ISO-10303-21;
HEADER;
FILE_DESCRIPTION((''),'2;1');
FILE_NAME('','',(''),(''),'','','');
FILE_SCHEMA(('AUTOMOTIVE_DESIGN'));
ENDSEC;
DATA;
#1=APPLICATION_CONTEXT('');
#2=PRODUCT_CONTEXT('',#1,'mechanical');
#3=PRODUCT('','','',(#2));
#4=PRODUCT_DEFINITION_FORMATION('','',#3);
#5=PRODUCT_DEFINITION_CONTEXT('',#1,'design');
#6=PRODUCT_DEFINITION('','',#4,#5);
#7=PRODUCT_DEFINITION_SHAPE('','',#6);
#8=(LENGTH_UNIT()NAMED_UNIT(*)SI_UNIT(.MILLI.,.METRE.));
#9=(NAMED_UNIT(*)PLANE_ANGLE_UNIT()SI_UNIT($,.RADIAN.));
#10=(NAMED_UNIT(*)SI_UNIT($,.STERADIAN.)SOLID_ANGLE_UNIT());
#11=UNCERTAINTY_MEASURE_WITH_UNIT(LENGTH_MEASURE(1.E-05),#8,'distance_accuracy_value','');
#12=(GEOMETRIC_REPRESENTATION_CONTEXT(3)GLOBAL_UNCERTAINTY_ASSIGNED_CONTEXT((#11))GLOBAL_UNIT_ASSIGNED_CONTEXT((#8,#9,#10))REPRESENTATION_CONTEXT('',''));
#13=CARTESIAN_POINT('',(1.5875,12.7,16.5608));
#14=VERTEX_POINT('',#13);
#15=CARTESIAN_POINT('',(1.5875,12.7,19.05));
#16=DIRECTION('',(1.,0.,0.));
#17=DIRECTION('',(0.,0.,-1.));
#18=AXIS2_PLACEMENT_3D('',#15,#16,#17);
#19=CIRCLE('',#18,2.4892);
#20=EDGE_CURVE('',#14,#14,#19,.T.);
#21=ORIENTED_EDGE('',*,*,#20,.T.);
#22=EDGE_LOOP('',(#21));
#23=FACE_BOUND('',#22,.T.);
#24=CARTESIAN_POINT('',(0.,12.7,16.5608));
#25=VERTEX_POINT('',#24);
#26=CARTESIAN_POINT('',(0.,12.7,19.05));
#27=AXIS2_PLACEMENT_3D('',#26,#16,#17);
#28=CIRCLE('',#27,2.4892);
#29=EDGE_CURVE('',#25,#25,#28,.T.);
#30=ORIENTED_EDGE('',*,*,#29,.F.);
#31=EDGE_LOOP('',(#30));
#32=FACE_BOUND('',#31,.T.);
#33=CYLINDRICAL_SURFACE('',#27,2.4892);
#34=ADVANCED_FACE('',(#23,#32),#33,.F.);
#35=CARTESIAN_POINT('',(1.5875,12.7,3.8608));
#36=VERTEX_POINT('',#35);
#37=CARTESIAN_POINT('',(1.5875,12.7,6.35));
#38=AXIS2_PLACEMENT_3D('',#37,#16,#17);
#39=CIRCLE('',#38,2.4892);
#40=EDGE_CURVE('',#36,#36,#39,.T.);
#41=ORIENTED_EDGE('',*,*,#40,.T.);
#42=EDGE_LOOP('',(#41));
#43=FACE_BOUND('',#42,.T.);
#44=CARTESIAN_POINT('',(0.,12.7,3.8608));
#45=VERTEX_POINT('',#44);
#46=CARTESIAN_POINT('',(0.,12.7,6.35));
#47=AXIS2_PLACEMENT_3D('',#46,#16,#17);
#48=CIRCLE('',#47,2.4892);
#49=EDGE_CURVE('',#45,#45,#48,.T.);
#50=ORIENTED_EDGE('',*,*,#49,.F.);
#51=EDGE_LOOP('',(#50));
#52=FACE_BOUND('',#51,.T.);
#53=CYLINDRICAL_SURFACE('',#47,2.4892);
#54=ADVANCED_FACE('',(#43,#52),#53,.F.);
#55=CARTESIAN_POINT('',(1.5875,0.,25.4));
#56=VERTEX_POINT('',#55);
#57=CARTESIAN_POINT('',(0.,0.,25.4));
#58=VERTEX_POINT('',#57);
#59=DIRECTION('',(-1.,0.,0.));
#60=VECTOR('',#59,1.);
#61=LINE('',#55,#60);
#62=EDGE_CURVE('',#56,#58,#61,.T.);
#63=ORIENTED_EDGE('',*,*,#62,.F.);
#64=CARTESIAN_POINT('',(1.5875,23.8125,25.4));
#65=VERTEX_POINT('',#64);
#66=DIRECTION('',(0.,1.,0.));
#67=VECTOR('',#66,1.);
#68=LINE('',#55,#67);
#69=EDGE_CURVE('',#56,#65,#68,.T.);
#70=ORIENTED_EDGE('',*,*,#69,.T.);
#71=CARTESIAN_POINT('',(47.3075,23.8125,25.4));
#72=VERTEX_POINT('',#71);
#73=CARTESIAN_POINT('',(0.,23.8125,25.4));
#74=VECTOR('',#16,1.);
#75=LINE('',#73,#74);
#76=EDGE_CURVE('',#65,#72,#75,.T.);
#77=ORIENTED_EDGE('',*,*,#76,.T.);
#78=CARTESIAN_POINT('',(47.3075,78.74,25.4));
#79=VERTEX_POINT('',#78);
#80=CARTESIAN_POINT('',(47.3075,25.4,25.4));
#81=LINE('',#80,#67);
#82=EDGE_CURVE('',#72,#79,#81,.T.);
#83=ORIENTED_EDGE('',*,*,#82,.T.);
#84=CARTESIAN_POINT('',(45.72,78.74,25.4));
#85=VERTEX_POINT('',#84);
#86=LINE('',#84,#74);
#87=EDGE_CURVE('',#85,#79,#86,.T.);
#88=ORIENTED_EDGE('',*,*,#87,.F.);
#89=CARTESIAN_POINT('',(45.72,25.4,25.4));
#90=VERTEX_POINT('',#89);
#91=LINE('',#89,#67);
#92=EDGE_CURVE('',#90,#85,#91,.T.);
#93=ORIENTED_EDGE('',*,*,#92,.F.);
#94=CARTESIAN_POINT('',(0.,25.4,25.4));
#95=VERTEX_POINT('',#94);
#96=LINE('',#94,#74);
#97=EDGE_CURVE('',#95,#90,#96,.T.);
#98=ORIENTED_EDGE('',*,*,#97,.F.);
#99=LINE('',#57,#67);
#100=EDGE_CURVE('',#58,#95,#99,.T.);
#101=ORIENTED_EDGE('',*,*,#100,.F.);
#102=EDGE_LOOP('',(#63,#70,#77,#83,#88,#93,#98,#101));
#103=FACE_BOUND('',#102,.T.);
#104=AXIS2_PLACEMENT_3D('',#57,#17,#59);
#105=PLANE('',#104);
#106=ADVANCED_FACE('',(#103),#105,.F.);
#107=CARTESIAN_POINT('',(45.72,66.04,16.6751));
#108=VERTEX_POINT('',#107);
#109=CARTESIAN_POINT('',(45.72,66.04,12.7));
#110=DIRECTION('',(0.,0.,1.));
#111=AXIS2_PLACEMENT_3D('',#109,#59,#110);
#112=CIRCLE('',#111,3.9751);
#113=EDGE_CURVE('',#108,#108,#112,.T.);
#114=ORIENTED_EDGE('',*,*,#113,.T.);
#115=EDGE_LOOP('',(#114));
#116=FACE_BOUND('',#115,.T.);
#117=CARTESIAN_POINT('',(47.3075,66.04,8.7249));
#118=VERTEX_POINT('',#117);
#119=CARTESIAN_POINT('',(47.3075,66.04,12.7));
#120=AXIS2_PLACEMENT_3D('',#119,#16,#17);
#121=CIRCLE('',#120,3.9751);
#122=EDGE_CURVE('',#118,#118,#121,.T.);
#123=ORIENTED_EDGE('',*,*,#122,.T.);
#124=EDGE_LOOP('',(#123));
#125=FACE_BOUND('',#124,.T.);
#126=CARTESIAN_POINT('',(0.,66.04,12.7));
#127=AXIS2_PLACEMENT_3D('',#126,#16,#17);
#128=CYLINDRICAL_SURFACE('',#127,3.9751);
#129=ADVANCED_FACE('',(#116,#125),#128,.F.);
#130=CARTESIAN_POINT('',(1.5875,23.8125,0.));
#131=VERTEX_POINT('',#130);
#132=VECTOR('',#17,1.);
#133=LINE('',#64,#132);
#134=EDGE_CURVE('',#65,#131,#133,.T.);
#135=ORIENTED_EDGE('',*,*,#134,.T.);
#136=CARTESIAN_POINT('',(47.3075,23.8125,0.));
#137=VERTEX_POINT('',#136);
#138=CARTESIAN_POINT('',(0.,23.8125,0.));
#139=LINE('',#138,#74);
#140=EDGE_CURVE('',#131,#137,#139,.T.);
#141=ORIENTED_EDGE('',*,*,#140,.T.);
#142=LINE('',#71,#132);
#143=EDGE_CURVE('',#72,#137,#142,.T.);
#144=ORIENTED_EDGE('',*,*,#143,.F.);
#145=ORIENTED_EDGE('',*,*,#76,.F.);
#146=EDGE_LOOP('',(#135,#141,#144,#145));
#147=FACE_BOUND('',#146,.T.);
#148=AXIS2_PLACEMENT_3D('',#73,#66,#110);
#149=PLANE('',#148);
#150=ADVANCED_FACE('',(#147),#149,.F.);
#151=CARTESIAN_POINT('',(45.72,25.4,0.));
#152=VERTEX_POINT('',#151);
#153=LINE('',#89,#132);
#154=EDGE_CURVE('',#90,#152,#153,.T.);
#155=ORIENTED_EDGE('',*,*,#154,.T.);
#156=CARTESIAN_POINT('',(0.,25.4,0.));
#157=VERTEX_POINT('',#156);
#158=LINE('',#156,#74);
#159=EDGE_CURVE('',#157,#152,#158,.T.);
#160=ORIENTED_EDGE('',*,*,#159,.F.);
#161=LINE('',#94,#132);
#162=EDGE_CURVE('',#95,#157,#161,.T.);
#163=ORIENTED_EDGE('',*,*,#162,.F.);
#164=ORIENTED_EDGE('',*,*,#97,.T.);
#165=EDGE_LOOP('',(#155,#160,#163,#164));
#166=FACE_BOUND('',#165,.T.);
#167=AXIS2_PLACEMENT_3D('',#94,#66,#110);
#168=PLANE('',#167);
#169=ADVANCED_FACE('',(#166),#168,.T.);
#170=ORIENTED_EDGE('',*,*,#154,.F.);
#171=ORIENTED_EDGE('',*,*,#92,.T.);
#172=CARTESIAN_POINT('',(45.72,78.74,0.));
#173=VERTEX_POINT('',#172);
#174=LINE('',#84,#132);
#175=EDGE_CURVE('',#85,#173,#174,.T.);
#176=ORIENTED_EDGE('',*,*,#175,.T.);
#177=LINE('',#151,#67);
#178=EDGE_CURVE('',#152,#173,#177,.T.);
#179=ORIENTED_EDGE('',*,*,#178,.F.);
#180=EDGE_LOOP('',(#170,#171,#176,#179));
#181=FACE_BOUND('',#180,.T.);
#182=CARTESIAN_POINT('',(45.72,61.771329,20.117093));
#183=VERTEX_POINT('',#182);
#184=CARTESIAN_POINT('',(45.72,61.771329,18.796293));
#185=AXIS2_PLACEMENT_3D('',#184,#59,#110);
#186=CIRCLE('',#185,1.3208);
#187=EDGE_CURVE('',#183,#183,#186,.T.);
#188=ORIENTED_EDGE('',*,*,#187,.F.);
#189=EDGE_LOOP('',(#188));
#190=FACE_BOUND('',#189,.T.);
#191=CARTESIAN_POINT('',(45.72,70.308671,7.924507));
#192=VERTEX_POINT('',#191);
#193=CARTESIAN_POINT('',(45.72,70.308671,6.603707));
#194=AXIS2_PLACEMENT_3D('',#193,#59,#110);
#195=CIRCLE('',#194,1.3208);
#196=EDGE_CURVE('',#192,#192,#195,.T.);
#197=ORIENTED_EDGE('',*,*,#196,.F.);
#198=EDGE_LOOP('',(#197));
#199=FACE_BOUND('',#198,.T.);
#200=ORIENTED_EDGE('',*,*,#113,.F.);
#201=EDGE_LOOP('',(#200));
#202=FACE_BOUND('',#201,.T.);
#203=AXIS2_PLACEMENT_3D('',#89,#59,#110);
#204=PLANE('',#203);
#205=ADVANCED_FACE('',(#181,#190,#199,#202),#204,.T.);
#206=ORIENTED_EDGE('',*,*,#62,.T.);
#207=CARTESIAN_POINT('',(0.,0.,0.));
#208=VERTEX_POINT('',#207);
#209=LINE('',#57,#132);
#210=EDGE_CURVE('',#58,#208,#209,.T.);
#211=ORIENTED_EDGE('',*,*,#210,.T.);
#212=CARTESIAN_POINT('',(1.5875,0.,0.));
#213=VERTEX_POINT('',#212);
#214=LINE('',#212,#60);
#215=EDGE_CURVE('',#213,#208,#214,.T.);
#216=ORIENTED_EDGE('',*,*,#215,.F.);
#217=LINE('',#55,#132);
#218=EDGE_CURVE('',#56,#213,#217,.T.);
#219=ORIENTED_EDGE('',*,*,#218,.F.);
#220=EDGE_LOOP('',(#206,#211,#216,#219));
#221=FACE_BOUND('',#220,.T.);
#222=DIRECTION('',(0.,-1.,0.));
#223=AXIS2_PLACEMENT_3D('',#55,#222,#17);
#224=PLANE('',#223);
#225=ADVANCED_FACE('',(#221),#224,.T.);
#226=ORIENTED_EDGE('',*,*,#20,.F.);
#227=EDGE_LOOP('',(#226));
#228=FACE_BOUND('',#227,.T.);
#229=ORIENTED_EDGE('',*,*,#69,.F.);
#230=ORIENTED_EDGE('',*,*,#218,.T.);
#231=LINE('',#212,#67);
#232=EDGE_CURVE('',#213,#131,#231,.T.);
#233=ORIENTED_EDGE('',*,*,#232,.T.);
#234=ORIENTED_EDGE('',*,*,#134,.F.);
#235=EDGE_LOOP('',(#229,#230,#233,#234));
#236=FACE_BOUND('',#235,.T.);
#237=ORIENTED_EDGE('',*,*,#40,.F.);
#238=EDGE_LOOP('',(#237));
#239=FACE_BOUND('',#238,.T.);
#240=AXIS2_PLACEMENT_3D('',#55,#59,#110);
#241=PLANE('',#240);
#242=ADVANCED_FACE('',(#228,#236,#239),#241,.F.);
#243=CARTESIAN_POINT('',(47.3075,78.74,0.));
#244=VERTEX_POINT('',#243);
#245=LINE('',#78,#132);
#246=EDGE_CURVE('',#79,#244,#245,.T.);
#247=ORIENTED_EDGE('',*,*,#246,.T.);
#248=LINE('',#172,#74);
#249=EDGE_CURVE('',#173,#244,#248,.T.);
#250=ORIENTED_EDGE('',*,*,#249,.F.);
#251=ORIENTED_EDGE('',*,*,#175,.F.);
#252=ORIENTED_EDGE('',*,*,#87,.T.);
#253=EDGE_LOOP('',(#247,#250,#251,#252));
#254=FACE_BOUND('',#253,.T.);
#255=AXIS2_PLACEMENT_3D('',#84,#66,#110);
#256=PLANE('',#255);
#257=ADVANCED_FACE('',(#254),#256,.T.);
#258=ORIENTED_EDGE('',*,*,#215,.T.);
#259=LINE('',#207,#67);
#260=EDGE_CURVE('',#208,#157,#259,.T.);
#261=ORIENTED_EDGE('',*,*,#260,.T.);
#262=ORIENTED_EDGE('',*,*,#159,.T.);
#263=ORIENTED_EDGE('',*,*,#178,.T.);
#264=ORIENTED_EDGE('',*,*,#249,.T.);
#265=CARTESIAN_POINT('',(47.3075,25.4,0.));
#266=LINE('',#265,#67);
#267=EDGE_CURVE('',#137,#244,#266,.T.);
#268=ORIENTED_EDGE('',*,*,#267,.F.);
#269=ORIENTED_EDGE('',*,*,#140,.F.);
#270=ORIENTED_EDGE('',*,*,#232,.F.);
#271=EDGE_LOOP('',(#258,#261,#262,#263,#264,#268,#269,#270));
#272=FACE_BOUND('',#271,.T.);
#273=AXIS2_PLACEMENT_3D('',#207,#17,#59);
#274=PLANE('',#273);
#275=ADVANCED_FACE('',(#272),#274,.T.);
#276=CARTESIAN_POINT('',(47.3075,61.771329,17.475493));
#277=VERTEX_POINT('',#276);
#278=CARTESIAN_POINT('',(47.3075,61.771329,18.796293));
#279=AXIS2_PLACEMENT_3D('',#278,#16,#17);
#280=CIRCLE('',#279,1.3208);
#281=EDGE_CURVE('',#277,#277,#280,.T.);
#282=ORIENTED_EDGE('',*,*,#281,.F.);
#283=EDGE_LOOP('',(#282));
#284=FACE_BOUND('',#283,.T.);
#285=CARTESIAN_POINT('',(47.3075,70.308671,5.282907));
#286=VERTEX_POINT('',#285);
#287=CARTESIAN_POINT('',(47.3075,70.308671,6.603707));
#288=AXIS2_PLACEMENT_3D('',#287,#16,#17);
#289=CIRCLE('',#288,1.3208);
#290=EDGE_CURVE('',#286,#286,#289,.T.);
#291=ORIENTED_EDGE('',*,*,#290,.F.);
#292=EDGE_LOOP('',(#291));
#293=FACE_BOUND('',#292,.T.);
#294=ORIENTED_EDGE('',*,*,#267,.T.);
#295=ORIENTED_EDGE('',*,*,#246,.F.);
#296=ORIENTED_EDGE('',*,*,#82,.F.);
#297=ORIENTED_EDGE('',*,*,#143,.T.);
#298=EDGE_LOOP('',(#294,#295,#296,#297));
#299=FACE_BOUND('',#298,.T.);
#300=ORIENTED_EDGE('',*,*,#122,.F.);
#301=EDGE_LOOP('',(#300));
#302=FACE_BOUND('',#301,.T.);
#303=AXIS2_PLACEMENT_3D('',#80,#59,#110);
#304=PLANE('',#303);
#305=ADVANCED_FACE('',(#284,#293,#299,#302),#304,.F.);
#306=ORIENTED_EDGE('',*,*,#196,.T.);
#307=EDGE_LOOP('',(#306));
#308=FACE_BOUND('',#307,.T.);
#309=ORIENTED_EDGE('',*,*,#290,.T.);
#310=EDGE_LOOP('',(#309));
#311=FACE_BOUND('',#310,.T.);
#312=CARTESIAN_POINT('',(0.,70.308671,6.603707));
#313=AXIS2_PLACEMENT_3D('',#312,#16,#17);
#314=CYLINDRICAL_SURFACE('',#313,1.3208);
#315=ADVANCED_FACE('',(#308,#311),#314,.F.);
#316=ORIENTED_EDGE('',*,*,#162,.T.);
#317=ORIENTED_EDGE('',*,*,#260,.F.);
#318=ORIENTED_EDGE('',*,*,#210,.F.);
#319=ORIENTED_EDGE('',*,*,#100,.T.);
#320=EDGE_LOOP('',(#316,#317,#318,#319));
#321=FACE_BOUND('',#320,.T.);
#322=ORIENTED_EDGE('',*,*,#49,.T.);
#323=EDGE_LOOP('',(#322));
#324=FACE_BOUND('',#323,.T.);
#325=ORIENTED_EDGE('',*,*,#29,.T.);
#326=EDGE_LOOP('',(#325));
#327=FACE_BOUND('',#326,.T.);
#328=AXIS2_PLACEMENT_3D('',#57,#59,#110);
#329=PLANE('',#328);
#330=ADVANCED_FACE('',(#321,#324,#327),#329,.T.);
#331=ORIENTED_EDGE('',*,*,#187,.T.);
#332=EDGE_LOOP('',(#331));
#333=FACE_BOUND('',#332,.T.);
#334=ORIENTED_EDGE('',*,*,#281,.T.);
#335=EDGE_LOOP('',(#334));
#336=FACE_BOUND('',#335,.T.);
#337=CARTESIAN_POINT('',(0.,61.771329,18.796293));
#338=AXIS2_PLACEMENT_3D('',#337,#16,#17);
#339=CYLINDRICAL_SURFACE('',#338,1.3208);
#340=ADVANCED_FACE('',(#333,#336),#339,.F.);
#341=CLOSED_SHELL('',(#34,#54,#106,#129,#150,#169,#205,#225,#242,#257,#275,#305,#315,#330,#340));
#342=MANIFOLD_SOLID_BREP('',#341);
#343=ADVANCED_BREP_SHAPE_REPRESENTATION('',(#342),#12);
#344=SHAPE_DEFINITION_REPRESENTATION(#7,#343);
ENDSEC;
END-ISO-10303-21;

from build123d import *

# Parameters (mm, degrees)
EXTRUDE_THIN1_DEPTH = 25.4
SKETCH2_R           = 3.9751
SKETCH2_R_2         = 1.3208
CUT_EXTRUDE1_DEPTH  = 48.307499936
SKETCH3_R           = 2.4892
CUT_EXTRUDE2_DEPTH  = 2.5875


with BuildPart() as part:
    # Sketch1 → Extrude-Thin1 (new body)
    with BuildSketch(Plane.XY):
        Polygon((0, 0), (0, 25.4), (45.719999936, 25.4), (45.719999936, 78.74), (47.307499936, 78.74), (47.307499936, 23.8125), (1.5875, 23.8125), (1.5875, 0), align=None)
    extrude(amount=EXTRUDE_THIN1_DEPTH)

    # Sketch2 → Cut-Extrude1 (cut, through all)
    with BuildSketch(Plane(origin=(47.307499936, 0, 0), x_dir=(0, 0, -1), z_dir=(1, 0, 0))):
        with Locations((-12.7, 66.04)):
            Circle(SKETCH2_R)
        with Locations((-18.796293344, 61.771329445)):
            Circle(SKETCH2_R_2)
        with Locations((-6.603706656, 70.308670555)):
            Circle(SKETCH2_R_2)
    extrude(amount=-CUT_EXTRUDE1_DEPTH, mode=Mode.SUBTRACT)

    # Sketch3 → Cut-Extrude2 (cut, through all)
    with BuildSketch(Plane(origin=(1.5875, 0, 0), x_dir=(0, 0, -1), z_dir=(1, 0, 0))):
        with Locations((-19.05, 12.7)):
            Circle(SKETCH3_R)
        with Locations((-6.35, 12.7)):
            Circle(SKETCH3_R)
    extrude(amount=-CUT_EXTRUDE2_DEPTH, mode=Mode.SUBTRACT)


solid = part.part
